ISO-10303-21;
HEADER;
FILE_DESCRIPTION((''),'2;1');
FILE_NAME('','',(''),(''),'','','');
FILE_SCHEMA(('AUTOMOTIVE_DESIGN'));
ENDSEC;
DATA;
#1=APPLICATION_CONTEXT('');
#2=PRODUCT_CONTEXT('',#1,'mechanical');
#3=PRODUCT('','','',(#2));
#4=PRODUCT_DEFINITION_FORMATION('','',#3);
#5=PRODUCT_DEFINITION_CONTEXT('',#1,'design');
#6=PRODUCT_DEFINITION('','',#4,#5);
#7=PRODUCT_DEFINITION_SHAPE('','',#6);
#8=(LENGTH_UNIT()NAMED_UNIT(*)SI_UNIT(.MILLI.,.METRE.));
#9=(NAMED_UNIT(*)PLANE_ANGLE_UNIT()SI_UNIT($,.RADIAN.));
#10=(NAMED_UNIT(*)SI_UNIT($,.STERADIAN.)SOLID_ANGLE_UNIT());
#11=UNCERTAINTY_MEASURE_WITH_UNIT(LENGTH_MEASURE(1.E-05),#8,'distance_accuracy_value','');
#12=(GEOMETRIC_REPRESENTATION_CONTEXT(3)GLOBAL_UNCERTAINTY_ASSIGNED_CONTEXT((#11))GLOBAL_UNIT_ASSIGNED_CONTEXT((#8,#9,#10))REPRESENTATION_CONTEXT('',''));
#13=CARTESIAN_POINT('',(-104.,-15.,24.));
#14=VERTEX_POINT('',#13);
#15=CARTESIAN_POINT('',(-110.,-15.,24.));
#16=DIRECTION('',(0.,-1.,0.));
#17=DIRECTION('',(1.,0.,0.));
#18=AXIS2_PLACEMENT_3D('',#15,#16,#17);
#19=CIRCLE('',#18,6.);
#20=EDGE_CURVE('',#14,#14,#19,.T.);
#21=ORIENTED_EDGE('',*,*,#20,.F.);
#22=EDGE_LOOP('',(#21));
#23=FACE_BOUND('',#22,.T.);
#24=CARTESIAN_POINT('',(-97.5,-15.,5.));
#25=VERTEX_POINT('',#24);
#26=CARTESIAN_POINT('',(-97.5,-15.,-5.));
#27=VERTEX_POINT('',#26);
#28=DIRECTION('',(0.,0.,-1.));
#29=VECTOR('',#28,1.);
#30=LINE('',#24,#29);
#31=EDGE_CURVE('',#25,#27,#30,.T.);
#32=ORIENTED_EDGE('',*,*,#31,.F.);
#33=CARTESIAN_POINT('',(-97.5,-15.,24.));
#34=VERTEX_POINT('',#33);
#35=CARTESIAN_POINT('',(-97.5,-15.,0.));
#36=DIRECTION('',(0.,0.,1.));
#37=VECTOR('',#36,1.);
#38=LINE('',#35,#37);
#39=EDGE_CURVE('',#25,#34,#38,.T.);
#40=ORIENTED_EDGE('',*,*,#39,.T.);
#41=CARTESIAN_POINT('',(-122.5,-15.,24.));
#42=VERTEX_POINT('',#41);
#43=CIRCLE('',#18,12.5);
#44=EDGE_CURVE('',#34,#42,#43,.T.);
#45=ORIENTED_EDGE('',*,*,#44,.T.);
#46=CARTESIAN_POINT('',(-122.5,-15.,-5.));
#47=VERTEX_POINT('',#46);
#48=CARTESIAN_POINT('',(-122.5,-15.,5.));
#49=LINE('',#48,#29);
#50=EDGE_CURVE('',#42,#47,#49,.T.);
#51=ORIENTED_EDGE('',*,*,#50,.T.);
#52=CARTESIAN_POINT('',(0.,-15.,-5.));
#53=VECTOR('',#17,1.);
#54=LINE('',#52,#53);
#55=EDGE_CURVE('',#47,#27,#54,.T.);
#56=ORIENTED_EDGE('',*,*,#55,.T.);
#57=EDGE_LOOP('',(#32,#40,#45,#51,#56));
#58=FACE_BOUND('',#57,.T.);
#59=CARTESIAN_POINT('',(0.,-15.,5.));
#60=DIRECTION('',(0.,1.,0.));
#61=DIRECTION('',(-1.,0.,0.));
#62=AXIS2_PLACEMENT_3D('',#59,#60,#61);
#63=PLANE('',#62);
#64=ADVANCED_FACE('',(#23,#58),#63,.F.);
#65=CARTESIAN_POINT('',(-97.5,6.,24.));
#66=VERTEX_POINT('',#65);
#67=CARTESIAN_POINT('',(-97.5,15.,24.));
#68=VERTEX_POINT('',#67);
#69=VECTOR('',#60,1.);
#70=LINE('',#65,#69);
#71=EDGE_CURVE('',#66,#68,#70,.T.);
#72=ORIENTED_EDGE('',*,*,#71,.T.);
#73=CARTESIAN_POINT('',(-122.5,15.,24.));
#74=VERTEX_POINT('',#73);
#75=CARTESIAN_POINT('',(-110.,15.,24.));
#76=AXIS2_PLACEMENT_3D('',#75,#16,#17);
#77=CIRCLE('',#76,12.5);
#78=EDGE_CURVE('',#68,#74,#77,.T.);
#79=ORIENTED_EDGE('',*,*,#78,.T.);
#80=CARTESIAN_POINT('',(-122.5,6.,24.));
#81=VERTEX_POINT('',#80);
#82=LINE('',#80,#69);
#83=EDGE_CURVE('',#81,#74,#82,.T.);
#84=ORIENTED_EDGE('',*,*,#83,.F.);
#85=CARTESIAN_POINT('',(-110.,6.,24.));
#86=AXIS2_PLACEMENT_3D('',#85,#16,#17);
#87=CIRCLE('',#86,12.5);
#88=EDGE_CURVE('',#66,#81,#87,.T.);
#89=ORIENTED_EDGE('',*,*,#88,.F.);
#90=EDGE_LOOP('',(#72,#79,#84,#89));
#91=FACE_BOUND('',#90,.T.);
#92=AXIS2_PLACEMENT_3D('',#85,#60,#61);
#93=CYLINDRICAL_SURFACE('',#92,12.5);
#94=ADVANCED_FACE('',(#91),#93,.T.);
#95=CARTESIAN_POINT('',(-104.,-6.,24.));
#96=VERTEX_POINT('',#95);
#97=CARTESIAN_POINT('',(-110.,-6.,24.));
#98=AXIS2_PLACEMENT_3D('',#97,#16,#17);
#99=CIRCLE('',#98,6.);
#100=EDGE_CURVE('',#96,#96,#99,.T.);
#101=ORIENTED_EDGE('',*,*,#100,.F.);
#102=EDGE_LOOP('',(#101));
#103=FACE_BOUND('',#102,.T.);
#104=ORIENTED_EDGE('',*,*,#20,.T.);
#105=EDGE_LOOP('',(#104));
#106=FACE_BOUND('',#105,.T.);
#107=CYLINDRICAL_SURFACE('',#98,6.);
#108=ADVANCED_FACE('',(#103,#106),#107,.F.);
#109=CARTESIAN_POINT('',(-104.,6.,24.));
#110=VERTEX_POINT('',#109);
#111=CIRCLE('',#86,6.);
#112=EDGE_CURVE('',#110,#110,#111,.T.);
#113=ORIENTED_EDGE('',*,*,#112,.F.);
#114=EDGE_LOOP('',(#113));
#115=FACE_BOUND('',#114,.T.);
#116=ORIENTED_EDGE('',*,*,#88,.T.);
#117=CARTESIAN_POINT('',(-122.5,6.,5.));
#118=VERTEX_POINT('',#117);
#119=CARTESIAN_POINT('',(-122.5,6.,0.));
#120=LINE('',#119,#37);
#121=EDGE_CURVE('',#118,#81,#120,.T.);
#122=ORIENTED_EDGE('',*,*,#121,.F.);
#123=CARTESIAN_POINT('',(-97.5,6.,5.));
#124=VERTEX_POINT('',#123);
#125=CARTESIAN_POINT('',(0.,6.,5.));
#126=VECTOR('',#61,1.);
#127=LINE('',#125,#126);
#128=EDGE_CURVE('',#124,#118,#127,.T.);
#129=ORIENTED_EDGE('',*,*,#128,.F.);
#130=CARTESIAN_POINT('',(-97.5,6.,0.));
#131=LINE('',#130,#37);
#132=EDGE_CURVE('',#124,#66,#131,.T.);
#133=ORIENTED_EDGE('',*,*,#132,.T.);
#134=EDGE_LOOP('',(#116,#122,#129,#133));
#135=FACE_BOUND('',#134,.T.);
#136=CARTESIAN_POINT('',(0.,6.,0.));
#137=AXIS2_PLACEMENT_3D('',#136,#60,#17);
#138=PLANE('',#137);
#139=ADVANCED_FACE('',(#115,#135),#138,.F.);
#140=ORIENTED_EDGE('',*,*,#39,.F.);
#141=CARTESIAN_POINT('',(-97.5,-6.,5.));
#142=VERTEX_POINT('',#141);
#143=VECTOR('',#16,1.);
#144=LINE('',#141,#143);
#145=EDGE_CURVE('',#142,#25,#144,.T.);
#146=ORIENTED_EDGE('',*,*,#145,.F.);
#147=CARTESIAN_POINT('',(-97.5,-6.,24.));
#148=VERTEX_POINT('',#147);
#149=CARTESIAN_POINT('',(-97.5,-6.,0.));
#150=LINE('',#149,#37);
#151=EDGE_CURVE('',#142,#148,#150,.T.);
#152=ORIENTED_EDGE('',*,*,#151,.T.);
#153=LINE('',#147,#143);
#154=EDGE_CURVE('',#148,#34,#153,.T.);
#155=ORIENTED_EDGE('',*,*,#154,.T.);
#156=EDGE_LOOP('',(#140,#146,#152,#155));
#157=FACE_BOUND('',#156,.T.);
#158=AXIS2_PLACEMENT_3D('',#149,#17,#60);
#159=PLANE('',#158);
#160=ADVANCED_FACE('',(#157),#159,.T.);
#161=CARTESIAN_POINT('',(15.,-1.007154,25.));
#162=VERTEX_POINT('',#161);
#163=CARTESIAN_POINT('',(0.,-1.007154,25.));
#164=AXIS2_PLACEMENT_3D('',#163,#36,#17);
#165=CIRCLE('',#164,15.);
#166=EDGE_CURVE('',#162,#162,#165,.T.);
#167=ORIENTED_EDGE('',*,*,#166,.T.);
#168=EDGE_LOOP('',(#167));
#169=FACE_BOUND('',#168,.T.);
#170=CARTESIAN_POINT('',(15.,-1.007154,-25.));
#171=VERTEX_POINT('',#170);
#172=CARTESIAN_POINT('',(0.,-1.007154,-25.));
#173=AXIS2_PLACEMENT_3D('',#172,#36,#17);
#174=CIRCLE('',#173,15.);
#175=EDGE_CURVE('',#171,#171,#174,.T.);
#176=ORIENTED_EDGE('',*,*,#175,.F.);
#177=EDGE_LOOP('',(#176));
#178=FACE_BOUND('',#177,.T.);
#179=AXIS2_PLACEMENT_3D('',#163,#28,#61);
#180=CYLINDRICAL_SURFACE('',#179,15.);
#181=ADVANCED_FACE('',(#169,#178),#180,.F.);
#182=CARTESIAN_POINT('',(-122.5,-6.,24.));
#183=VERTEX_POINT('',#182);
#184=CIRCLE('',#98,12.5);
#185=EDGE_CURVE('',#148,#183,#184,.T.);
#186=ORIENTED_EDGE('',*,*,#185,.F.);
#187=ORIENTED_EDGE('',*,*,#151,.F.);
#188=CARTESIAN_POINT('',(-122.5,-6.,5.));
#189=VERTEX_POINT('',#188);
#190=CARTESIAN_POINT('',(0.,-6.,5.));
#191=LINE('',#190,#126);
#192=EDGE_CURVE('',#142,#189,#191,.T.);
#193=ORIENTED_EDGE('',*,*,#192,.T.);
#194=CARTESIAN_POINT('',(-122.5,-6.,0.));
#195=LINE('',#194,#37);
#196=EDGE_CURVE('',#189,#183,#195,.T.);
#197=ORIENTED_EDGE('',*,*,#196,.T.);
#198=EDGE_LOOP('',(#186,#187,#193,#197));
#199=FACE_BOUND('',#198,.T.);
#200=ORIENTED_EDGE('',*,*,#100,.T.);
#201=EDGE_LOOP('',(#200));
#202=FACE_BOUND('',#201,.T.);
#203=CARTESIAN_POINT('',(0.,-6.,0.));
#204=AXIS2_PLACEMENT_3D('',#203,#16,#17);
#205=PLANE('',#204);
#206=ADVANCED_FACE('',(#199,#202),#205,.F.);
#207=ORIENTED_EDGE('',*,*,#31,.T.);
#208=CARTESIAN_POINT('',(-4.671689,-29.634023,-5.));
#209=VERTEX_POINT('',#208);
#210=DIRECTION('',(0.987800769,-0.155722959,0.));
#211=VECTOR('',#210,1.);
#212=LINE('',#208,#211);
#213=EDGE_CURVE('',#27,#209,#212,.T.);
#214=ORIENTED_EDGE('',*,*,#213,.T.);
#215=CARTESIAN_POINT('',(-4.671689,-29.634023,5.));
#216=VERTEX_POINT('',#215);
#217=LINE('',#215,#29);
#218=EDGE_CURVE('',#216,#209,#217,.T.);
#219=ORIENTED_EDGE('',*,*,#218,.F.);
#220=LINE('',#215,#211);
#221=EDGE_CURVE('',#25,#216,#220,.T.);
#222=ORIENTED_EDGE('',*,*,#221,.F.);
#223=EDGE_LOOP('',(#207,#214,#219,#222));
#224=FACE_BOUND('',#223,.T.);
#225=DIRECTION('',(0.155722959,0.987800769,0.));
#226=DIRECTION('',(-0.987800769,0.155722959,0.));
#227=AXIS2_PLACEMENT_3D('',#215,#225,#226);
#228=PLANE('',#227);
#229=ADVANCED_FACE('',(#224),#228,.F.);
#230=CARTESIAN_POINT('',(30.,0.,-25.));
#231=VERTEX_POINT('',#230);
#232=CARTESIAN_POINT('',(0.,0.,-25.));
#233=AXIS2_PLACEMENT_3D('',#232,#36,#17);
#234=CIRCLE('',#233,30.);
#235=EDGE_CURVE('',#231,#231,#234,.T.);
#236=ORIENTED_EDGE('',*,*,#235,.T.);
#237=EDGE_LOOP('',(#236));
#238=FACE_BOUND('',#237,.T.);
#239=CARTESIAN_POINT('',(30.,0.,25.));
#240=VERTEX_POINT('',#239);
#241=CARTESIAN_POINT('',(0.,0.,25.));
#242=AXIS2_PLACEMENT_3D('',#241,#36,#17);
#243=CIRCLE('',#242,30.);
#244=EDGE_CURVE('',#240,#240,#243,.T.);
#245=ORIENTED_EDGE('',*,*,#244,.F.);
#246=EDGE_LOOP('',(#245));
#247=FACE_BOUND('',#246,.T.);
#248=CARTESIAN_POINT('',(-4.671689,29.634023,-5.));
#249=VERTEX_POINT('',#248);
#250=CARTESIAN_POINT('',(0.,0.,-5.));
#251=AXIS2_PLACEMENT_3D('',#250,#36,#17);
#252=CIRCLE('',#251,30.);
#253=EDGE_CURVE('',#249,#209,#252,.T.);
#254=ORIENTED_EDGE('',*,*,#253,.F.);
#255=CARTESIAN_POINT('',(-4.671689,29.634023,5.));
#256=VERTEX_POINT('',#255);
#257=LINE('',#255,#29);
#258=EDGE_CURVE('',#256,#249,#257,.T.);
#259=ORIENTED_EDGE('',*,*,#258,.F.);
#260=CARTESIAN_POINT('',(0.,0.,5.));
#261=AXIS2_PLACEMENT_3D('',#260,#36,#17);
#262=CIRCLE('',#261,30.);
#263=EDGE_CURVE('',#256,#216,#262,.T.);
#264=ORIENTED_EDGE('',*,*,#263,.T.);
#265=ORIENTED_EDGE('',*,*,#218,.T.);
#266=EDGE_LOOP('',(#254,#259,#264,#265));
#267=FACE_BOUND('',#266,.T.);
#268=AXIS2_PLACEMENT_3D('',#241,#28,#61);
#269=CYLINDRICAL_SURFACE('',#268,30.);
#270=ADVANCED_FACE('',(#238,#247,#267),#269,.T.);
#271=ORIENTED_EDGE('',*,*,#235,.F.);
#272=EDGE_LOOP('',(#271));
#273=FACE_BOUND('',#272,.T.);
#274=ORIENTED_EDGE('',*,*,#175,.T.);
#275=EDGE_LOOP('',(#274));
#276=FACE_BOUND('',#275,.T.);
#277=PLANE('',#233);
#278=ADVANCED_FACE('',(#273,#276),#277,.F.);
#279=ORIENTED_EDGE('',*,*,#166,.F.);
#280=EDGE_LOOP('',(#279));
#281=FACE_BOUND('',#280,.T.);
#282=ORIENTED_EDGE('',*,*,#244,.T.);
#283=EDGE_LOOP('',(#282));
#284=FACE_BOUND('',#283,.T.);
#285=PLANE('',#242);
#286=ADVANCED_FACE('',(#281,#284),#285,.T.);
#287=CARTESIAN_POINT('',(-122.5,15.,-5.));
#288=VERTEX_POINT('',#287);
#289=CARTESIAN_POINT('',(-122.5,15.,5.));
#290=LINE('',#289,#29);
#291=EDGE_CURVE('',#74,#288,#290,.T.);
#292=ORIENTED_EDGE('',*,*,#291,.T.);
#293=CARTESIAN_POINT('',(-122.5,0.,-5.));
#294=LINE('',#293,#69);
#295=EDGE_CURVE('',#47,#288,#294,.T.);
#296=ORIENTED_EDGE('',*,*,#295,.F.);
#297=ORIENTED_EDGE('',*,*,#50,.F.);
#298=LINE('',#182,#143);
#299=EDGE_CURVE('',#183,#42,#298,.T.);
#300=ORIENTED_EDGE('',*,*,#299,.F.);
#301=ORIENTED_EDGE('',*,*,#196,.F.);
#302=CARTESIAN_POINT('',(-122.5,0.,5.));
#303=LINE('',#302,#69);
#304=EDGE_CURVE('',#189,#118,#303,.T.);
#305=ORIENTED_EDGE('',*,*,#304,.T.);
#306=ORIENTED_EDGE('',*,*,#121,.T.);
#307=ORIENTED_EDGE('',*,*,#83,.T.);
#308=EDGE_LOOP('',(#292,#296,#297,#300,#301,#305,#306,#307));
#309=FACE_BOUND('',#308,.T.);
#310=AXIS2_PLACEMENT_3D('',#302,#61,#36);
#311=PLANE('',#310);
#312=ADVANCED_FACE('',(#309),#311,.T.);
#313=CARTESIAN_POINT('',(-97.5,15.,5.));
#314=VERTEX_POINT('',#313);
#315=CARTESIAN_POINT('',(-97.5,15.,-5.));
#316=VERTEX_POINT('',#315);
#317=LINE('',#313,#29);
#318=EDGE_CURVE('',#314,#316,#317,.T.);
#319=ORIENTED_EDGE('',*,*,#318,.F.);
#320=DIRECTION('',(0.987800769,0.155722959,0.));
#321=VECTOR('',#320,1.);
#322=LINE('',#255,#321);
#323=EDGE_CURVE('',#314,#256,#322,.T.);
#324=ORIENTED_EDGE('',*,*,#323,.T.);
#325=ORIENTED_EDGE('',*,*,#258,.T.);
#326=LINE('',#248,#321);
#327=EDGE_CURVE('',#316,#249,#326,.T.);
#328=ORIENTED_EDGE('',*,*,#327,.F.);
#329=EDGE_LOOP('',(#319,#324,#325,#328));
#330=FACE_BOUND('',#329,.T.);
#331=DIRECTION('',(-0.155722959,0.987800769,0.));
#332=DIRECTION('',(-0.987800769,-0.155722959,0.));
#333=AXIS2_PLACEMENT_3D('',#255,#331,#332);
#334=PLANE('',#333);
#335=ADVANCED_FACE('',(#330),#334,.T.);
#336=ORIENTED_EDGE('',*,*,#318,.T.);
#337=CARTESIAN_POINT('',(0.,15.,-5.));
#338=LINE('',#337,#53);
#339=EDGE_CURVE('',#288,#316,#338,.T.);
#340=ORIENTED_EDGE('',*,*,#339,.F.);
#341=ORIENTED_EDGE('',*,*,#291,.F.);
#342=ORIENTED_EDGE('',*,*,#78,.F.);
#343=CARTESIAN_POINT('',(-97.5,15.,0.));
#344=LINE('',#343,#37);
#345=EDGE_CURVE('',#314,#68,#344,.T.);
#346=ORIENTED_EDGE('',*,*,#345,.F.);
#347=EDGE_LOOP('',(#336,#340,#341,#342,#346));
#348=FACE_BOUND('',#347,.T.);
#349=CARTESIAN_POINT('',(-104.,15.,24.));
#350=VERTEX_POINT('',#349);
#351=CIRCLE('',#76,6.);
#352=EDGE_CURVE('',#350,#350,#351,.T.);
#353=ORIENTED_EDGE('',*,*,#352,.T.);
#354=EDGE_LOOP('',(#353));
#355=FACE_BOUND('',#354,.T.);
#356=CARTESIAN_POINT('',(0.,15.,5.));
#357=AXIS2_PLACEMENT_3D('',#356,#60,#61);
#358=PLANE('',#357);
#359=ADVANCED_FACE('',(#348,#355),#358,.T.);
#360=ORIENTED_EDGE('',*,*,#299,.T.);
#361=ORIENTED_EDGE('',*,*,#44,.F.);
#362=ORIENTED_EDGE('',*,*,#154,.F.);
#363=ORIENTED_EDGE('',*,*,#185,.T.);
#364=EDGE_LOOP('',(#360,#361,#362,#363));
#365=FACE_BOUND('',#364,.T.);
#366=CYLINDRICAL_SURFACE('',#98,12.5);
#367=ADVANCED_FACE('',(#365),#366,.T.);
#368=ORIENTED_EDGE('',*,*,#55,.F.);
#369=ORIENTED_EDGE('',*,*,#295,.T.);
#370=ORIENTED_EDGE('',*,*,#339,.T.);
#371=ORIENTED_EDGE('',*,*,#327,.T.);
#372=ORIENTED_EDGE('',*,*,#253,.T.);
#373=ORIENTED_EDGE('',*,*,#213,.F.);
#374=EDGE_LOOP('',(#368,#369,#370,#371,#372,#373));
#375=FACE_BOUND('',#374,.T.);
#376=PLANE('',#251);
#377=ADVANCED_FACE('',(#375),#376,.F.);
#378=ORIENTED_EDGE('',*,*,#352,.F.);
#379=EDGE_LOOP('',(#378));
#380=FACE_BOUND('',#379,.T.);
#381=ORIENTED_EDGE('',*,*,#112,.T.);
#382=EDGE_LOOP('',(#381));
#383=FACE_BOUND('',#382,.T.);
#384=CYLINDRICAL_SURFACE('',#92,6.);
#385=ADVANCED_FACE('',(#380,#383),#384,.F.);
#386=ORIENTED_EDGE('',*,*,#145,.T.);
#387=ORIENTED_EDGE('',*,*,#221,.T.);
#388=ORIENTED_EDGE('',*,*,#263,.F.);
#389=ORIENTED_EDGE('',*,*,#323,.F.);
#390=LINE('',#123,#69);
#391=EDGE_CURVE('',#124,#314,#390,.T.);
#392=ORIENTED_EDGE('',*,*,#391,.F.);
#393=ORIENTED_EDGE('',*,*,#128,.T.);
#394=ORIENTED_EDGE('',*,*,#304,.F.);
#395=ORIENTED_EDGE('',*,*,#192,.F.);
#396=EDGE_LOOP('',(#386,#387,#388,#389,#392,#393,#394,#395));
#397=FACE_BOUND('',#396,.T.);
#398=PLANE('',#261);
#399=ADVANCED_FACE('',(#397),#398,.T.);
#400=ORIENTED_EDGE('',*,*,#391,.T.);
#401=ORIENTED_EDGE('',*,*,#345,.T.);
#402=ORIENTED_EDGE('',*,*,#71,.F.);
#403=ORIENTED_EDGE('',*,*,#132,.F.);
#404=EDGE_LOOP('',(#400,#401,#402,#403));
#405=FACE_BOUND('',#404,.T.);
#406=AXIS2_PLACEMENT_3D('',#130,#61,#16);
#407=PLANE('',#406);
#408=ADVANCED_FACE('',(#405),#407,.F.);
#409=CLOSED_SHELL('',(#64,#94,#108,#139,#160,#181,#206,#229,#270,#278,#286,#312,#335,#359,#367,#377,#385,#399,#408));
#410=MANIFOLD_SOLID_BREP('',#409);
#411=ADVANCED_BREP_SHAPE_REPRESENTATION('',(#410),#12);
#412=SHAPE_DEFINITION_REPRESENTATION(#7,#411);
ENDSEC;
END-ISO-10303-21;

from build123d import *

# Parameters (mm, degrees)
SKETCH1_R           = 30
SKETCH1_R_2         = 15
BOSS_EXTRUDE1_DEPTH = 25
BOSS_EXTRUDE3_DEPTH = 5
SKETCH4_R           = 6
BOSS_EXTRUDE4_DEPTH = 9


with BuildPart() as part:
    # Sketch1 → Boss-Extrude1 (new body, symmetric)
    with BuildSketch(Plane.XY):
        Circle(SKETCH1_R)
        with Locations((0, -1.007153664)):
            Circle(SKETCH1_R_2, mode=Mode.SUBTRACT)
    extrude(amount=BOSS_EXTRUDE1_DEPTH, both=True)

    # Sketch2 → Boss-Extrude3 (add, symmetric)
    with BuildSketch(Plane.XY):
        with BuildLine():
            Line((-122.5, 15), (-122.5, -15))
            Line((-122.5, -15), (-97.5, -15))
            Line((-97.5, -15), (-4.671688756, -29.634023084))
            ThreePointArc((-4.671688756, -29.634023084), (-30, 0), (-4.671688756, 29.634023084))
            Line((-4.671688756, 29.634023084), (-97.5, 15))
            Line((-97.5, 15), (-122.5, 15))
        make_face()
    extrude(amount=BOSS_EXTRUDE3_DEPTH, both=True)

    # Sketch4 → Boss-Extrude4 (add)
    with BuildSketch(Plane(origin=(0, -15, 0), x_dir=(-1, 0, 0), z_dir=(0, -1, 0))):
        with BuildLine():
            Line((122.5, -24), (122.5, -5))
            Line((122.5, -5), (97.5, -5))
            Line((97.5, -5), (97.5, -24))
            ThreePointArc((97.5, -24), (110, -36.5), (122.5, -24))
        make_face()
        with Locations(Location((110, -24, 0), (0, 0, 180))):  # turned: the seam where the file's is
            Circle(SKETCH4_R, mode=Mode.SUBTRACT)
    boss_extrude4 = extrude(amount=-BOSS_EXTRUDE4_DEPTH)

    # Mirror1: Boss-Extrude4 across plane
    add(boss_extrude4.mirror(Plane.ZX))


solid = part.part
